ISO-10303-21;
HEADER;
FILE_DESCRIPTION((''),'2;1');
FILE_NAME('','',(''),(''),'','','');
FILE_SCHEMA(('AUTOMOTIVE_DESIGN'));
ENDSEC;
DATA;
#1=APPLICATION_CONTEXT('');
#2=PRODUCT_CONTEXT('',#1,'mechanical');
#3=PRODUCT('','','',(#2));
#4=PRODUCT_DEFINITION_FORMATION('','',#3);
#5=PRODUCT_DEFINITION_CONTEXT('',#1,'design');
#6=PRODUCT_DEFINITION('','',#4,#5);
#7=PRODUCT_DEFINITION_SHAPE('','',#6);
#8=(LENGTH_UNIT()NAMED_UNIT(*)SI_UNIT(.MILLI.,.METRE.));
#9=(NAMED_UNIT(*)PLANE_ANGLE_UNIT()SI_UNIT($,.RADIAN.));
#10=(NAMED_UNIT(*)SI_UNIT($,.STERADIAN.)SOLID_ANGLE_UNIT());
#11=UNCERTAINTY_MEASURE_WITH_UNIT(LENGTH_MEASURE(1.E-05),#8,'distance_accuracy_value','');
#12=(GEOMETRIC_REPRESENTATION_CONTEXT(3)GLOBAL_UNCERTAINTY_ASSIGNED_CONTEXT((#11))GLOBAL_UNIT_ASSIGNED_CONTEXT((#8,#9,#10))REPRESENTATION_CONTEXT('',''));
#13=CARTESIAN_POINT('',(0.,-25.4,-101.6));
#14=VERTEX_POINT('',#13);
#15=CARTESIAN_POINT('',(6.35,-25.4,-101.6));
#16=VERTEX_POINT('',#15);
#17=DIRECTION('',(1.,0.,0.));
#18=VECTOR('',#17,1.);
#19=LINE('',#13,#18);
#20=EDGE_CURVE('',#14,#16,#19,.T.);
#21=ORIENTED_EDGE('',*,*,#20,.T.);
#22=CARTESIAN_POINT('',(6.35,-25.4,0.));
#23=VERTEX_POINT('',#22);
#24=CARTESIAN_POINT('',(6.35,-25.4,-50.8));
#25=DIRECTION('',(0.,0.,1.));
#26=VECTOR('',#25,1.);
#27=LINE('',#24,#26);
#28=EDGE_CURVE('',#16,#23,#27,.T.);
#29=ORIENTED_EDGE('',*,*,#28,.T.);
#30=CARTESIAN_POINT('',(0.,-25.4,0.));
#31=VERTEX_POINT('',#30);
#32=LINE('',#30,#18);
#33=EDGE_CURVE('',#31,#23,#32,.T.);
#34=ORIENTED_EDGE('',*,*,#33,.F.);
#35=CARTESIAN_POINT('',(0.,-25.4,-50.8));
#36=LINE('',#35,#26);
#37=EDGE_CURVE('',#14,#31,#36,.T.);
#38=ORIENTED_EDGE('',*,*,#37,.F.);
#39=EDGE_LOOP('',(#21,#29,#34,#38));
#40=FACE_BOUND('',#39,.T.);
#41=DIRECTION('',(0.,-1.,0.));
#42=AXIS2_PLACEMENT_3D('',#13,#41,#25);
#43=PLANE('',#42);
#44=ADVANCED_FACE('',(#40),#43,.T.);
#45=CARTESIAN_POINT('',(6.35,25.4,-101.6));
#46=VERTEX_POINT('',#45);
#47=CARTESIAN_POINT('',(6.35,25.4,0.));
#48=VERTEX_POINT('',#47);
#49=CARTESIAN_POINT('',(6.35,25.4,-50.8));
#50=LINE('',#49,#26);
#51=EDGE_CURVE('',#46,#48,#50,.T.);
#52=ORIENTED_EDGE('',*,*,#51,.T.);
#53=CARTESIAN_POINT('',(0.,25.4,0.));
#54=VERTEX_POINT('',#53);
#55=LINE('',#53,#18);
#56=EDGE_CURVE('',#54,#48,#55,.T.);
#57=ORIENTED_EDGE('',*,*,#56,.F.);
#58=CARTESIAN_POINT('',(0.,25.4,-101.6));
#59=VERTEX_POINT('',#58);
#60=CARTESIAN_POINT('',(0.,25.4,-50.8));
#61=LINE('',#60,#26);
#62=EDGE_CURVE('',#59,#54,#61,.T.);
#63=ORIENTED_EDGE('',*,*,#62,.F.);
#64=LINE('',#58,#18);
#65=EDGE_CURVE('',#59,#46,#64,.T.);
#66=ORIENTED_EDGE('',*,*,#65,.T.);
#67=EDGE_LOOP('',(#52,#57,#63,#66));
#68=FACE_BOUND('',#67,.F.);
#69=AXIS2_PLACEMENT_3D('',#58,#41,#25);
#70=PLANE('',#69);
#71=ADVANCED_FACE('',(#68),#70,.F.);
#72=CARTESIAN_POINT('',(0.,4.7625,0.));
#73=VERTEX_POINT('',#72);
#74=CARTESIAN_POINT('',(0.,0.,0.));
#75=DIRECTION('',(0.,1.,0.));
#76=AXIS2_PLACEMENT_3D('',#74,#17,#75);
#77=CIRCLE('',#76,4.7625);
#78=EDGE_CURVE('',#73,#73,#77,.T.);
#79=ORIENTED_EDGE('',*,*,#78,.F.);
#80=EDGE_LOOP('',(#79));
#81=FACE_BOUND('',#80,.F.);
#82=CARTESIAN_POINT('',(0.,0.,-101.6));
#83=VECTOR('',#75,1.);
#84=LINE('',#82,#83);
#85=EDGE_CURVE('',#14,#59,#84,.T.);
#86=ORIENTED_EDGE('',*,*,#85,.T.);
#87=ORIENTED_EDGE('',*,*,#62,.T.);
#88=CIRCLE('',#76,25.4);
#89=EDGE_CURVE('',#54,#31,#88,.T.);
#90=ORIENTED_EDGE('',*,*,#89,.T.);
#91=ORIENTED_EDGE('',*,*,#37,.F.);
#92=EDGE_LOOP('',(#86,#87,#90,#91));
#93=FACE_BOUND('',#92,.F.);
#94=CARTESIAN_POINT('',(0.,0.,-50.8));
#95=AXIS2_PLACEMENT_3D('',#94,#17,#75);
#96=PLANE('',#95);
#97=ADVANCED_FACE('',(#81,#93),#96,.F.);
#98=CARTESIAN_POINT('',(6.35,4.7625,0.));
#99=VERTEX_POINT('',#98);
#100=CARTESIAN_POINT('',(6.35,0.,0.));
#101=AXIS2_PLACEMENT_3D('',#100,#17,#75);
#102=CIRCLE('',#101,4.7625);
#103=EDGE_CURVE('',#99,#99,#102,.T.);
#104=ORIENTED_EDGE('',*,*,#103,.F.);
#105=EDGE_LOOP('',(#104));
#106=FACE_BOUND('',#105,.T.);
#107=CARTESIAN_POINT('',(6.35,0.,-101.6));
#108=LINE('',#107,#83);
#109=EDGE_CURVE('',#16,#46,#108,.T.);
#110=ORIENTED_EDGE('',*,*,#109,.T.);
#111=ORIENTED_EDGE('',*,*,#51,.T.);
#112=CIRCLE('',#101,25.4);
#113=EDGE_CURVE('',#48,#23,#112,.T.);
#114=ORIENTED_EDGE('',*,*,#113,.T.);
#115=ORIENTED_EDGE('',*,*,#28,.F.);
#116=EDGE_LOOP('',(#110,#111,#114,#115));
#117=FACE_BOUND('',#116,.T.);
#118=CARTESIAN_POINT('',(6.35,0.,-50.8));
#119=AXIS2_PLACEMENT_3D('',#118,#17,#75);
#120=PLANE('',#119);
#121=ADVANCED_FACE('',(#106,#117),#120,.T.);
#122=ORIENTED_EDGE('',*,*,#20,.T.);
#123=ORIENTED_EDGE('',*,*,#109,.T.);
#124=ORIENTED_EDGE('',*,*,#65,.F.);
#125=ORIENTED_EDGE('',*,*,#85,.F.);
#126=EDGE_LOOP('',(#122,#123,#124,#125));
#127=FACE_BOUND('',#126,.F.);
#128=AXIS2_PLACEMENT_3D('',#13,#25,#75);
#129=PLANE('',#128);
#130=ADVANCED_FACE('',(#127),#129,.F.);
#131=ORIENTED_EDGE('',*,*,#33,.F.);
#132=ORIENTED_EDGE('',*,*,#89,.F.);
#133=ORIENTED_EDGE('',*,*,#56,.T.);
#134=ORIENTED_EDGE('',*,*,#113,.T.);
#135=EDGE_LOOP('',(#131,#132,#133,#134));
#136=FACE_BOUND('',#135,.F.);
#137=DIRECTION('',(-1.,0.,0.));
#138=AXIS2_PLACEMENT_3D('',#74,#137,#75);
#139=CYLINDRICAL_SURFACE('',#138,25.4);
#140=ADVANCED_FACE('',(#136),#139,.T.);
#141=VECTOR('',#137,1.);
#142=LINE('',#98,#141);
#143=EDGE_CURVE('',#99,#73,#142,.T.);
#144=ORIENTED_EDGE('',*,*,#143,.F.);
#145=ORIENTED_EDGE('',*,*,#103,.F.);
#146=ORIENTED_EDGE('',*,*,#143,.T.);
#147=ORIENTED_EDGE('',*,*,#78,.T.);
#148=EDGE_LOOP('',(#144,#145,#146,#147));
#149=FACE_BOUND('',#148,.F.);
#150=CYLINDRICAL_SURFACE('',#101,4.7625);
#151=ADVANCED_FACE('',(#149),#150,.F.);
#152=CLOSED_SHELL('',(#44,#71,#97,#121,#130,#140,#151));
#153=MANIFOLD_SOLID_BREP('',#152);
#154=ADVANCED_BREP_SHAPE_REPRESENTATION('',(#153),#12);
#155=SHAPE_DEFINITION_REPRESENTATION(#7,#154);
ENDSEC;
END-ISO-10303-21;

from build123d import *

# Parameters (mm, degrees)
F0_W     = 50.8
F0_H     = 101.6
F1_DEPTH = 6.35
F2_R     = 4.7625
F3_DEPTH = 6.35


with BuildPart() as f1:
    # F0 (on Right) → F1 (new body)
    with BuildSketch(Plane.YZ):
        with Locations((0, -50.8)):
            Rectangle(F0_W, F0_H)
        with BuildLine():
            ThreePointArc((25.4, 0), (0, 25.4), (-25.4, 0))
            Line((-25.4, 0), (25.4, 0))
        make_face()
    extrude(amount=F1_DEPTH)

    # F2 (on face) → F3 (cut, through all)
    with BuildSketch(Plane.YZ.offset(6.35)):
        Circle(F2_R)
    extrude(amount=-F3_DEPTH, mode=Mode.SUBTRACT)


solid = f1.part
